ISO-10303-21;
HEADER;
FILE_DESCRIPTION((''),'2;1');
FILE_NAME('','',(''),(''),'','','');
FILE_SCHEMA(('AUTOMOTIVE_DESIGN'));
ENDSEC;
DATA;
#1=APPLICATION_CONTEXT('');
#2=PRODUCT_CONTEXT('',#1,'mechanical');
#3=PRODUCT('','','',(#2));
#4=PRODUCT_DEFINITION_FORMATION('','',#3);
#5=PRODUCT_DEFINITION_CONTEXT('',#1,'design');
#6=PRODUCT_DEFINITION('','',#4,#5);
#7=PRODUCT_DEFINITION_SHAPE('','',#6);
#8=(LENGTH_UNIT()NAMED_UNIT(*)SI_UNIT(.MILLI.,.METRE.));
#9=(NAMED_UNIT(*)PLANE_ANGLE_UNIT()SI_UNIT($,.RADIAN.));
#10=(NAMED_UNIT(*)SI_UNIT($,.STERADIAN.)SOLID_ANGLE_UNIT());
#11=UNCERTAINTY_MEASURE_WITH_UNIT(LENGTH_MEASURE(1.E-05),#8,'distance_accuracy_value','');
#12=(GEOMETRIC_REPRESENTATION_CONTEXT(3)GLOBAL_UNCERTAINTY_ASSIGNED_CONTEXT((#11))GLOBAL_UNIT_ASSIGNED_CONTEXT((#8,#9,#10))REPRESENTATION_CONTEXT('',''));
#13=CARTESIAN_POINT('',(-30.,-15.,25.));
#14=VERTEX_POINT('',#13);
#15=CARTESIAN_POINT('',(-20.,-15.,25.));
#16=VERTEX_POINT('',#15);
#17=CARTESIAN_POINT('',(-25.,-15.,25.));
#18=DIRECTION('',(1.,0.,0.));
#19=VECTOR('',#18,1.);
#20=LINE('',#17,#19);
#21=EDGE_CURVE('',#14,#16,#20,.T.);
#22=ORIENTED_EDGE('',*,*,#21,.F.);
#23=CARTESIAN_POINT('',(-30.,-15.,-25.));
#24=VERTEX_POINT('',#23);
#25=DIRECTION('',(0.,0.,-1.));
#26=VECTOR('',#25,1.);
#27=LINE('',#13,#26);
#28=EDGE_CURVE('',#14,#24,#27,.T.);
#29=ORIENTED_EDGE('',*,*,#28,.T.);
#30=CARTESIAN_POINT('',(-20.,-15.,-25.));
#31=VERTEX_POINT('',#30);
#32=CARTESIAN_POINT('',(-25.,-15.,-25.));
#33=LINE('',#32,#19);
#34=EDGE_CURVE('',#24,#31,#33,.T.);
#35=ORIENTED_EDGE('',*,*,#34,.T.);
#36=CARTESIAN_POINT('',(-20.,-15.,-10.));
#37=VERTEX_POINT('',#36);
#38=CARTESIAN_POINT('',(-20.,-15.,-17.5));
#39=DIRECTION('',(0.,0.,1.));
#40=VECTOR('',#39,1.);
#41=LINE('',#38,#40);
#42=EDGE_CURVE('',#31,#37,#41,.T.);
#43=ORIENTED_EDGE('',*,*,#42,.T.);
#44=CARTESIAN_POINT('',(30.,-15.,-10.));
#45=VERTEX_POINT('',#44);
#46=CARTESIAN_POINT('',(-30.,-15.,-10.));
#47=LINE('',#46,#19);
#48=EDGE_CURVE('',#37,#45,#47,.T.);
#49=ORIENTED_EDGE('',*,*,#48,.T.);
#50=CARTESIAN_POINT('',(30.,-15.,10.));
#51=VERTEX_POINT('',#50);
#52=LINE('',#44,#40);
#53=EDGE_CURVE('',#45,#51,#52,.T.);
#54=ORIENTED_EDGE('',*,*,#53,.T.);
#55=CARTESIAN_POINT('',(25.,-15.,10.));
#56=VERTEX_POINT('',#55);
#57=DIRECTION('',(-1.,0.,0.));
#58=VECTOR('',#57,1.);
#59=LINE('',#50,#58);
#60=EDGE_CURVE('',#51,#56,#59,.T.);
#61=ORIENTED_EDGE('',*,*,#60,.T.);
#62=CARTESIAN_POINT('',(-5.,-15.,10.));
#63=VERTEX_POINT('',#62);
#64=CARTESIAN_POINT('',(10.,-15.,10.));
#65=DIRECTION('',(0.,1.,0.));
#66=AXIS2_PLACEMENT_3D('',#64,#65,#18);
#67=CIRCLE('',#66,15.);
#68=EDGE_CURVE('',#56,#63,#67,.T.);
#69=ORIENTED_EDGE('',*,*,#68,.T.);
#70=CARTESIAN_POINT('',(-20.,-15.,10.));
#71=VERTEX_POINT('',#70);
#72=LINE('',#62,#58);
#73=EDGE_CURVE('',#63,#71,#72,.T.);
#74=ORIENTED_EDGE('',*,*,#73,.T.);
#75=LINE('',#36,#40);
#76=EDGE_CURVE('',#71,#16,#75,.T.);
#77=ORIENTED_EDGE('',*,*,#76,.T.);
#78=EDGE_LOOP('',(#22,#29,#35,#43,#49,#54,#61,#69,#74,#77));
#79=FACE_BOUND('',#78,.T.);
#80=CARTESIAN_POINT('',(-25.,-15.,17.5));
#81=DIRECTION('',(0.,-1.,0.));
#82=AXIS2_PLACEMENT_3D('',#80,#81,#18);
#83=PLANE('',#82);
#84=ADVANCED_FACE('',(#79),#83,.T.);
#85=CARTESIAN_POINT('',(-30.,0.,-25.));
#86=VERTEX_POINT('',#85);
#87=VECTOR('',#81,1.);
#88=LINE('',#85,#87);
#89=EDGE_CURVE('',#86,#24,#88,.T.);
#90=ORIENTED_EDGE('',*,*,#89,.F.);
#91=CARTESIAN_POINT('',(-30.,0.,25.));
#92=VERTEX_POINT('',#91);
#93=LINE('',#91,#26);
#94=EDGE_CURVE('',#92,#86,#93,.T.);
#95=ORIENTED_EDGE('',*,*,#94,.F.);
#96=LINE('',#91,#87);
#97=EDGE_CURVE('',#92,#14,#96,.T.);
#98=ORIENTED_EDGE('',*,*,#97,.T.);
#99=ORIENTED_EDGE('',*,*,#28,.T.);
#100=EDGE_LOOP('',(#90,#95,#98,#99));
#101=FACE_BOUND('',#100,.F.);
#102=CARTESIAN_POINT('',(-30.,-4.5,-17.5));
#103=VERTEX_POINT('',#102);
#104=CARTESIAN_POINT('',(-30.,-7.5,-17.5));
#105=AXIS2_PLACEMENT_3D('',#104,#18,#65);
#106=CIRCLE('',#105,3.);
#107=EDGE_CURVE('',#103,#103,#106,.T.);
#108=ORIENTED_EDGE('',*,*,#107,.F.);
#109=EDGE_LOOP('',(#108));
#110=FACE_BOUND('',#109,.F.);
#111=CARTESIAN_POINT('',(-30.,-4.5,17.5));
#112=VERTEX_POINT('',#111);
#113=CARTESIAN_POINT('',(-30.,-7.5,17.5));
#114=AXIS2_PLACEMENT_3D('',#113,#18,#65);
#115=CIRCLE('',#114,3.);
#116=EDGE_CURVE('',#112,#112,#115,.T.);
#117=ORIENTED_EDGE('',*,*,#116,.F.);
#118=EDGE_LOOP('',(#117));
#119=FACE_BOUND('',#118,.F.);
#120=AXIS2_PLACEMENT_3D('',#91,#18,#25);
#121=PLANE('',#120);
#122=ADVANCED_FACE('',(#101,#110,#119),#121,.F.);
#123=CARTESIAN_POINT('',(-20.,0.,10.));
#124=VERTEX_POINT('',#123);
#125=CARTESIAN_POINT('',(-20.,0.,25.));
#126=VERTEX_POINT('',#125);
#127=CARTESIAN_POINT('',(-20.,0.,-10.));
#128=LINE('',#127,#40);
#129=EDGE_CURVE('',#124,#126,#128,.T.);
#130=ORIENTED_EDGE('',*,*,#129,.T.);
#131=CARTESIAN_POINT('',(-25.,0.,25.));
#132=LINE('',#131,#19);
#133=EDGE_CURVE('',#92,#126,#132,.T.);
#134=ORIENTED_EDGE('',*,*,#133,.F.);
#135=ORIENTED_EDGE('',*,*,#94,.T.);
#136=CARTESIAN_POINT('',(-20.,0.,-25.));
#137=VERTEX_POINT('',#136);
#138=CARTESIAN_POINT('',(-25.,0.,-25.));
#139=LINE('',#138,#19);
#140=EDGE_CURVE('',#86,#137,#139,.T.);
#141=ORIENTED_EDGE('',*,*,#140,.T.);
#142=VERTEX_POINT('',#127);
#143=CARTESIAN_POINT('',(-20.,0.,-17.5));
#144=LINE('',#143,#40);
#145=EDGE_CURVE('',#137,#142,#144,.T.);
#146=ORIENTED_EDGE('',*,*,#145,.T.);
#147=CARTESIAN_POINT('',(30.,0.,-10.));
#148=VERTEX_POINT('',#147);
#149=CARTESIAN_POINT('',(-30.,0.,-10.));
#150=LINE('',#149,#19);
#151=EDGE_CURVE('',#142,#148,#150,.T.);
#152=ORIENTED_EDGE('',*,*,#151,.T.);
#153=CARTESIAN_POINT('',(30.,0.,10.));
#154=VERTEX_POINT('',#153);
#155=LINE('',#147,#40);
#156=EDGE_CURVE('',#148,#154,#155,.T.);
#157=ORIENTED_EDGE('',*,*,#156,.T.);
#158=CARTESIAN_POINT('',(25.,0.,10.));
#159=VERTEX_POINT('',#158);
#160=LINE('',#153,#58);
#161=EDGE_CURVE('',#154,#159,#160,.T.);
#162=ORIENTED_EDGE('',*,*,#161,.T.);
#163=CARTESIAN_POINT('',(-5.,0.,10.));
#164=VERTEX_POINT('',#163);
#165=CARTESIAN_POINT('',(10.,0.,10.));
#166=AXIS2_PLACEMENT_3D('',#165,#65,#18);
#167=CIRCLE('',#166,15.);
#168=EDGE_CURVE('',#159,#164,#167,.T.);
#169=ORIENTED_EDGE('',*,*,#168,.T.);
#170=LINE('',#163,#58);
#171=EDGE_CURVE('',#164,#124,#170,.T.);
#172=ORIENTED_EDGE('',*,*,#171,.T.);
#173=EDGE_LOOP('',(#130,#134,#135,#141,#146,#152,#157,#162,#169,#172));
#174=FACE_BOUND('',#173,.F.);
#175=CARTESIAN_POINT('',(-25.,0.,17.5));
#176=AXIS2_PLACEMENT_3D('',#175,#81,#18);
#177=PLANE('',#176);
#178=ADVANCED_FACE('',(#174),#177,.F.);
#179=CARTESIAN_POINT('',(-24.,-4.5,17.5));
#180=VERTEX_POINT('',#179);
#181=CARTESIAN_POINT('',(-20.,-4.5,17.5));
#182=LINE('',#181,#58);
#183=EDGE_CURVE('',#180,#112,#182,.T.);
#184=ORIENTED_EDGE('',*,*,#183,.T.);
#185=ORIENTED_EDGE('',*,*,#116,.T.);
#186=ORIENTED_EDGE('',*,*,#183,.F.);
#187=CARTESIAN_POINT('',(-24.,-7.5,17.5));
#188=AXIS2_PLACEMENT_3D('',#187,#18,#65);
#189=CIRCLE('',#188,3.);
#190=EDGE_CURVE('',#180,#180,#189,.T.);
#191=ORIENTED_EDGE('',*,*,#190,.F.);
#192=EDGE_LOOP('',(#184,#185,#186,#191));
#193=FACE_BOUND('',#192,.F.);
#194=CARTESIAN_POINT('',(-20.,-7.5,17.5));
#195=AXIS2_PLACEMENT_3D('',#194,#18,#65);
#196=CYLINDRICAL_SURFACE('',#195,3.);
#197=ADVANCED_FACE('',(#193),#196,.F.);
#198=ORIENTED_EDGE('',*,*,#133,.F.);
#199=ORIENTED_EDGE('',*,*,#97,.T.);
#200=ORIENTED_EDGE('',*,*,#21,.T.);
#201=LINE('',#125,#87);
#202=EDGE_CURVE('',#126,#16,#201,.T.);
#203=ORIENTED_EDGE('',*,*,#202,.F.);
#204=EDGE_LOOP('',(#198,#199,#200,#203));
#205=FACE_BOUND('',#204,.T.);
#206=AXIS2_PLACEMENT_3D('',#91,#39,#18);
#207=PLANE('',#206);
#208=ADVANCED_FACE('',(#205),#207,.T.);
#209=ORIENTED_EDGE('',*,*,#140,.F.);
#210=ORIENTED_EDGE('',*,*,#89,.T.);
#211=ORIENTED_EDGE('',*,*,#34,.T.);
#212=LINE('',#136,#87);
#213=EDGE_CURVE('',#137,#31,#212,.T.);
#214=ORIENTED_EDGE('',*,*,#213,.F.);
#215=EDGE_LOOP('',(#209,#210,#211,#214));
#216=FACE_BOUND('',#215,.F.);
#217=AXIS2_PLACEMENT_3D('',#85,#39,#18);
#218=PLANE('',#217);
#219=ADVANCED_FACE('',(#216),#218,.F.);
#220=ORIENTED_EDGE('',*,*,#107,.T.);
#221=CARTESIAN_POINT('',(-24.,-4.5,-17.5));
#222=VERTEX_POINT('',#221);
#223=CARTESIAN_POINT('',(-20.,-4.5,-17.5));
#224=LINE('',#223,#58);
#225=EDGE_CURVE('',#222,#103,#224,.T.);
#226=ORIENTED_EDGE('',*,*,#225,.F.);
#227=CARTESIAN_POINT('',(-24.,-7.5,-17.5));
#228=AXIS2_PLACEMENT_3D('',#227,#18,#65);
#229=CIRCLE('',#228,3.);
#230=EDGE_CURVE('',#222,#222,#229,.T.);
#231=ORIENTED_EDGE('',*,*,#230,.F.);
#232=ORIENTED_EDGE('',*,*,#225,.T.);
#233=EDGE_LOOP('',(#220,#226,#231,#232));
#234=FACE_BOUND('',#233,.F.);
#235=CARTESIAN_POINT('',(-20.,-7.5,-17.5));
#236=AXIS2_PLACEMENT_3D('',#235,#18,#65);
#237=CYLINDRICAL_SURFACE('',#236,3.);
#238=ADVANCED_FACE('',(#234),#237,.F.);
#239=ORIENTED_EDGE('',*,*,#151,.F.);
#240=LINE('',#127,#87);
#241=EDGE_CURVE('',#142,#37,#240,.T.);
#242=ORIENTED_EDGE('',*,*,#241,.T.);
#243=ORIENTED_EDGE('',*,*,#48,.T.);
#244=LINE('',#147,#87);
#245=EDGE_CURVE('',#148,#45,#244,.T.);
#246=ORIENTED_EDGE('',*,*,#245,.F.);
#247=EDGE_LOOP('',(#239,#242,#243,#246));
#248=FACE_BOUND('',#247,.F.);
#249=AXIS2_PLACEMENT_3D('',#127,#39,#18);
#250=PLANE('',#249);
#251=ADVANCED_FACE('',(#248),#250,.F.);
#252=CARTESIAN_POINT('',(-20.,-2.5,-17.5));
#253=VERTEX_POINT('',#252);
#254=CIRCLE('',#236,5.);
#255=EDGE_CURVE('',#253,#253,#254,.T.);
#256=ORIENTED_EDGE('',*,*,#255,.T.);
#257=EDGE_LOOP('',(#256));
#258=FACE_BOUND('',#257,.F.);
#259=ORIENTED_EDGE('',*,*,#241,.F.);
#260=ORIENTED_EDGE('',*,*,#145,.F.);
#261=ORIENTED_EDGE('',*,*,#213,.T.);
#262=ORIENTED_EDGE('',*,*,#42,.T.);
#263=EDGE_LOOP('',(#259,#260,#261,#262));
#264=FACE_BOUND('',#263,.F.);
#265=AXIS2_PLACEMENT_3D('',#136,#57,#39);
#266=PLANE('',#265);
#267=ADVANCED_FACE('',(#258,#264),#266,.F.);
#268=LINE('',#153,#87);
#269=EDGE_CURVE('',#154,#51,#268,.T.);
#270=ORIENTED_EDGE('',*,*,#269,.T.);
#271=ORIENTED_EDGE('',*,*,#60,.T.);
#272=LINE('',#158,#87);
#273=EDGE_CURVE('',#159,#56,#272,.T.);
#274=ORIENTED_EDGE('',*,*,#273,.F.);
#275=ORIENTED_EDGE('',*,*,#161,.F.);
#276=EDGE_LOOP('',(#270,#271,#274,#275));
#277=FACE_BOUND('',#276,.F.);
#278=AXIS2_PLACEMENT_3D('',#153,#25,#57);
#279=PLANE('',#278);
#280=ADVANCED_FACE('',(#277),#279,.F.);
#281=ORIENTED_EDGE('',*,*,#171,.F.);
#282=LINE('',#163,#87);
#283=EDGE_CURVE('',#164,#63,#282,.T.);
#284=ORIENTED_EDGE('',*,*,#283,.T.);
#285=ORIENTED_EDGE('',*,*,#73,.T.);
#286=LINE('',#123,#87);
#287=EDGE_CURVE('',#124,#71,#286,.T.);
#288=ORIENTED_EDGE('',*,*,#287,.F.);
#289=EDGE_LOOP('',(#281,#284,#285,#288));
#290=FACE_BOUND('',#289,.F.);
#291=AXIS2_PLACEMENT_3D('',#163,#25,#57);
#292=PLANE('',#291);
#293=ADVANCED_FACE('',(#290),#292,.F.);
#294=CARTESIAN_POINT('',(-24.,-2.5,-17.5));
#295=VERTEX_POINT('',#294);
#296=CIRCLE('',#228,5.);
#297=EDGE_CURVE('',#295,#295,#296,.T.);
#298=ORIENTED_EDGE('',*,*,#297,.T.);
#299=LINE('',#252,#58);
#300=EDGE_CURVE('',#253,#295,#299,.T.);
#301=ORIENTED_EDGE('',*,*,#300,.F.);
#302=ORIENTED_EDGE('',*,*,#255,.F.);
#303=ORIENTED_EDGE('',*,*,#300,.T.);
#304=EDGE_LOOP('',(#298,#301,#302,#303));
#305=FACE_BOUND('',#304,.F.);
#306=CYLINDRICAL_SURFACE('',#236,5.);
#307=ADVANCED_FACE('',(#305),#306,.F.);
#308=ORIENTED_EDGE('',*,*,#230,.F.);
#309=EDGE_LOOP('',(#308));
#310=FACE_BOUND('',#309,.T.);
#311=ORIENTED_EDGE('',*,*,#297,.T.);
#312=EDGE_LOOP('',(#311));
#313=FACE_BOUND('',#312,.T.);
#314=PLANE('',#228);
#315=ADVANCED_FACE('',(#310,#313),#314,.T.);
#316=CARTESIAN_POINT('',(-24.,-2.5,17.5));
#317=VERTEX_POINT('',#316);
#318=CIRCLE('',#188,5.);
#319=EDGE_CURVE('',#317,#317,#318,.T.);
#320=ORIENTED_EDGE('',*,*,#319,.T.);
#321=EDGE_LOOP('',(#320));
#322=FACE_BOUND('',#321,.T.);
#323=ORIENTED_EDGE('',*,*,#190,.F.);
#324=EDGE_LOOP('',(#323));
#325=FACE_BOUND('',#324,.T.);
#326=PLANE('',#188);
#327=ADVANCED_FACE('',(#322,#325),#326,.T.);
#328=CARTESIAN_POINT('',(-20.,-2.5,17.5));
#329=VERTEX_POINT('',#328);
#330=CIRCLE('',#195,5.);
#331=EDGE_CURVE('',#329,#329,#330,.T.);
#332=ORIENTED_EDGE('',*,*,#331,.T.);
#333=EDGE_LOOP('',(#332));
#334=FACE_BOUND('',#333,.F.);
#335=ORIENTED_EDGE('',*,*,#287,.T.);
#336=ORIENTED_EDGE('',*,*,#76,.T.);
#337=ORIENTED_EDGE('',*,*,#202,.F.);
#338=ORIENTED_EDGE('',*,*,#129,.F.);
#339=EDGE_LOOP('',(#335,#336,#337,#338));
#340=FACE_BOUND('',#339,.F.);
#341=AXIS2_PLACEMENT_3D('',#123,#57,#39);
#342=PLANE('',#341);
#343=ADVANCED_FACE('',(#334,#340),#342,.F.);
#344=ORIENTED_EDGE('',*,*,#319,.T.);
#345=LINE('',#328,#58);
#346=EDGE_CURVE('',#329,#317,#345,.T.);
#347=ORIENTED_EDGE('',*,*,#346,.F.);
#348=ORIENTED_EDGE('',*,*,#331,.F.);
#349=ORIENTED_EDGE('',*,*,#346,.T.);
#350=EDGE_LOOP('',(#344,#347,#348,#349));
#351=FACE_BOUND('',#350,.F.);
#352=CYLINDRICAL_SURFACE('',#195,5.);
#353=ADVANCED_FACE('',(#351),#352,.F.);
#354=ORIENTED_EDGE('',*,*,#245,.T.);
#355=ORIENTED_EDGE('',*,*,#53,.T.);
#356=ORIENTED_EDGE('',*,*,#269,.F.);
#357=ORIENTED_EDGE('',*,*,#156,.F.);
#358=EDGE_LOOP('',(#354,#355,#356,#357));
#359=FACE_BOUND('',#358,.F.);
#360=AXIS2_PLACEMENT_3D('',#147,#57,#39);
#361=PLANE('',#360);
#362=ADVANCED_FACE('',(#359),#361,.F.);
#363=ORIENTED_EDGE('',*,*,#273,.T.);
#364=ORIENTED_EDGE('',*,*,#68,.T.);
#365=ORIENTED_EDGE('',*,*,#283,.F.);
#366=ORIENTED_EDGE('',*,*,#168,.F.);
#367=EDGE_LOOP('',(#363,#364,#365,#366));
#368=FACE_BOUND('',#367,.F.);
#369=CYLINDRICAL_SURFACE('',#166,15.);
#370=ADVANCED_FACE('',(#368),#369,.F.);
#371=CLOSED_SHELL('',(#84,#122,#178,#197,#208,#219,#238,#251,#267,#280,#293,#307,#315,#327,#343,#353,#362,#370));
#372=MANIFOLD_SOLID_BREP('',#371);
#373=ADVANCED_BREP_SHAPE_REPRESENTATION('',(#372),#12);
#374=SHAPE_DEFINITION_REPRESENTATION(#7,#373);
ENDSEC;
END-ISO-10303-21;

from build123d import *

# Parameters (mm, degrees)
F0_W     = 10
F0_H     = 15
F0_H_2   = 20
F1_DEPTH = 15
F2_R     = 3
F3_DEPTH = 10.001
F4_R     = 5
F4_R_2   = 3
F5_DEPTH = 4
F6_R     = 3
F7_DEPTH = 10.001
F8_R     = 5
F8_R_2   = 3
F9_DEPTH = 4


with BuildPart() as f1:
    # F0 (on Front) → F1 (new body)
    with BuildSketch(Plane.XZ):
        with Locations((-25, 17.5)):
            Rectangle(F0_W, F0_H)
        with Locations((-25, 0)):
            Rectangle(F0_W, F0_H_2)
        with BuildLine():
            Line((-20, -10), (30, -10))
            Line((30, -10), (30, 10))
            Line((30, 10), (25, 10))
            ThreePointArc((25, 10), (10, -5), (-5, 10))
            Line((-5, 10), (-20, 10))
            Line((-20, 10), (-20, -10))
        make_face()
        with Locations((-25, -17.5)):
            Rectangle(F0_W, F0_H)
    extrude(amount=F1_DEPTH)

    # F2 (on face) → F3 (cut, through all)
    with BuildSketch(Plane.YZ.offset(-20)):
        with Locations((-7.5, 17.5)):
            Circle(F2_R)
    extrude(amount=-F3_DEPTH, mode=Mode.SUBTRACT)

    # F4 (on face) → F5 (cut)
    with BuildSketch(Plane.YZ.offset(-20)):
        with Locations((-7.5, 17.5)):
            Circle(F4_R)
        with Locations((-7.5, 17.5)):
            Circle(F4_R_2, mode=Mode.SUBTRACT)
    extrude(amount=-F5_DEPTH, mode=Mode.SUBTRACT)

    # F6 (on face) → F7 (cut, through all)
    with BuildSketch(Plane.YZ.offset(-20)):
        with Locations((-7.5, -17.5)):
            Circle(F6_R)
    extrude(amount=-F7_DEPTH, mode=Mode.SUBTRACT)

    # F8 (on face) → F9 (cut)
    with BuildSketch(Plane.YZ.offset(-20)):
        with Locations((-7.5, -17.5)):
            Circle(F8_R)
        with Locations((-7.5, -17.5)):
            Circle(F8_R_2, mode=Mode.SUBTRACT)
    extrude(amount=-F9_DEPTH, mode=Mode.SUBTRACT)


solid = f1.part
